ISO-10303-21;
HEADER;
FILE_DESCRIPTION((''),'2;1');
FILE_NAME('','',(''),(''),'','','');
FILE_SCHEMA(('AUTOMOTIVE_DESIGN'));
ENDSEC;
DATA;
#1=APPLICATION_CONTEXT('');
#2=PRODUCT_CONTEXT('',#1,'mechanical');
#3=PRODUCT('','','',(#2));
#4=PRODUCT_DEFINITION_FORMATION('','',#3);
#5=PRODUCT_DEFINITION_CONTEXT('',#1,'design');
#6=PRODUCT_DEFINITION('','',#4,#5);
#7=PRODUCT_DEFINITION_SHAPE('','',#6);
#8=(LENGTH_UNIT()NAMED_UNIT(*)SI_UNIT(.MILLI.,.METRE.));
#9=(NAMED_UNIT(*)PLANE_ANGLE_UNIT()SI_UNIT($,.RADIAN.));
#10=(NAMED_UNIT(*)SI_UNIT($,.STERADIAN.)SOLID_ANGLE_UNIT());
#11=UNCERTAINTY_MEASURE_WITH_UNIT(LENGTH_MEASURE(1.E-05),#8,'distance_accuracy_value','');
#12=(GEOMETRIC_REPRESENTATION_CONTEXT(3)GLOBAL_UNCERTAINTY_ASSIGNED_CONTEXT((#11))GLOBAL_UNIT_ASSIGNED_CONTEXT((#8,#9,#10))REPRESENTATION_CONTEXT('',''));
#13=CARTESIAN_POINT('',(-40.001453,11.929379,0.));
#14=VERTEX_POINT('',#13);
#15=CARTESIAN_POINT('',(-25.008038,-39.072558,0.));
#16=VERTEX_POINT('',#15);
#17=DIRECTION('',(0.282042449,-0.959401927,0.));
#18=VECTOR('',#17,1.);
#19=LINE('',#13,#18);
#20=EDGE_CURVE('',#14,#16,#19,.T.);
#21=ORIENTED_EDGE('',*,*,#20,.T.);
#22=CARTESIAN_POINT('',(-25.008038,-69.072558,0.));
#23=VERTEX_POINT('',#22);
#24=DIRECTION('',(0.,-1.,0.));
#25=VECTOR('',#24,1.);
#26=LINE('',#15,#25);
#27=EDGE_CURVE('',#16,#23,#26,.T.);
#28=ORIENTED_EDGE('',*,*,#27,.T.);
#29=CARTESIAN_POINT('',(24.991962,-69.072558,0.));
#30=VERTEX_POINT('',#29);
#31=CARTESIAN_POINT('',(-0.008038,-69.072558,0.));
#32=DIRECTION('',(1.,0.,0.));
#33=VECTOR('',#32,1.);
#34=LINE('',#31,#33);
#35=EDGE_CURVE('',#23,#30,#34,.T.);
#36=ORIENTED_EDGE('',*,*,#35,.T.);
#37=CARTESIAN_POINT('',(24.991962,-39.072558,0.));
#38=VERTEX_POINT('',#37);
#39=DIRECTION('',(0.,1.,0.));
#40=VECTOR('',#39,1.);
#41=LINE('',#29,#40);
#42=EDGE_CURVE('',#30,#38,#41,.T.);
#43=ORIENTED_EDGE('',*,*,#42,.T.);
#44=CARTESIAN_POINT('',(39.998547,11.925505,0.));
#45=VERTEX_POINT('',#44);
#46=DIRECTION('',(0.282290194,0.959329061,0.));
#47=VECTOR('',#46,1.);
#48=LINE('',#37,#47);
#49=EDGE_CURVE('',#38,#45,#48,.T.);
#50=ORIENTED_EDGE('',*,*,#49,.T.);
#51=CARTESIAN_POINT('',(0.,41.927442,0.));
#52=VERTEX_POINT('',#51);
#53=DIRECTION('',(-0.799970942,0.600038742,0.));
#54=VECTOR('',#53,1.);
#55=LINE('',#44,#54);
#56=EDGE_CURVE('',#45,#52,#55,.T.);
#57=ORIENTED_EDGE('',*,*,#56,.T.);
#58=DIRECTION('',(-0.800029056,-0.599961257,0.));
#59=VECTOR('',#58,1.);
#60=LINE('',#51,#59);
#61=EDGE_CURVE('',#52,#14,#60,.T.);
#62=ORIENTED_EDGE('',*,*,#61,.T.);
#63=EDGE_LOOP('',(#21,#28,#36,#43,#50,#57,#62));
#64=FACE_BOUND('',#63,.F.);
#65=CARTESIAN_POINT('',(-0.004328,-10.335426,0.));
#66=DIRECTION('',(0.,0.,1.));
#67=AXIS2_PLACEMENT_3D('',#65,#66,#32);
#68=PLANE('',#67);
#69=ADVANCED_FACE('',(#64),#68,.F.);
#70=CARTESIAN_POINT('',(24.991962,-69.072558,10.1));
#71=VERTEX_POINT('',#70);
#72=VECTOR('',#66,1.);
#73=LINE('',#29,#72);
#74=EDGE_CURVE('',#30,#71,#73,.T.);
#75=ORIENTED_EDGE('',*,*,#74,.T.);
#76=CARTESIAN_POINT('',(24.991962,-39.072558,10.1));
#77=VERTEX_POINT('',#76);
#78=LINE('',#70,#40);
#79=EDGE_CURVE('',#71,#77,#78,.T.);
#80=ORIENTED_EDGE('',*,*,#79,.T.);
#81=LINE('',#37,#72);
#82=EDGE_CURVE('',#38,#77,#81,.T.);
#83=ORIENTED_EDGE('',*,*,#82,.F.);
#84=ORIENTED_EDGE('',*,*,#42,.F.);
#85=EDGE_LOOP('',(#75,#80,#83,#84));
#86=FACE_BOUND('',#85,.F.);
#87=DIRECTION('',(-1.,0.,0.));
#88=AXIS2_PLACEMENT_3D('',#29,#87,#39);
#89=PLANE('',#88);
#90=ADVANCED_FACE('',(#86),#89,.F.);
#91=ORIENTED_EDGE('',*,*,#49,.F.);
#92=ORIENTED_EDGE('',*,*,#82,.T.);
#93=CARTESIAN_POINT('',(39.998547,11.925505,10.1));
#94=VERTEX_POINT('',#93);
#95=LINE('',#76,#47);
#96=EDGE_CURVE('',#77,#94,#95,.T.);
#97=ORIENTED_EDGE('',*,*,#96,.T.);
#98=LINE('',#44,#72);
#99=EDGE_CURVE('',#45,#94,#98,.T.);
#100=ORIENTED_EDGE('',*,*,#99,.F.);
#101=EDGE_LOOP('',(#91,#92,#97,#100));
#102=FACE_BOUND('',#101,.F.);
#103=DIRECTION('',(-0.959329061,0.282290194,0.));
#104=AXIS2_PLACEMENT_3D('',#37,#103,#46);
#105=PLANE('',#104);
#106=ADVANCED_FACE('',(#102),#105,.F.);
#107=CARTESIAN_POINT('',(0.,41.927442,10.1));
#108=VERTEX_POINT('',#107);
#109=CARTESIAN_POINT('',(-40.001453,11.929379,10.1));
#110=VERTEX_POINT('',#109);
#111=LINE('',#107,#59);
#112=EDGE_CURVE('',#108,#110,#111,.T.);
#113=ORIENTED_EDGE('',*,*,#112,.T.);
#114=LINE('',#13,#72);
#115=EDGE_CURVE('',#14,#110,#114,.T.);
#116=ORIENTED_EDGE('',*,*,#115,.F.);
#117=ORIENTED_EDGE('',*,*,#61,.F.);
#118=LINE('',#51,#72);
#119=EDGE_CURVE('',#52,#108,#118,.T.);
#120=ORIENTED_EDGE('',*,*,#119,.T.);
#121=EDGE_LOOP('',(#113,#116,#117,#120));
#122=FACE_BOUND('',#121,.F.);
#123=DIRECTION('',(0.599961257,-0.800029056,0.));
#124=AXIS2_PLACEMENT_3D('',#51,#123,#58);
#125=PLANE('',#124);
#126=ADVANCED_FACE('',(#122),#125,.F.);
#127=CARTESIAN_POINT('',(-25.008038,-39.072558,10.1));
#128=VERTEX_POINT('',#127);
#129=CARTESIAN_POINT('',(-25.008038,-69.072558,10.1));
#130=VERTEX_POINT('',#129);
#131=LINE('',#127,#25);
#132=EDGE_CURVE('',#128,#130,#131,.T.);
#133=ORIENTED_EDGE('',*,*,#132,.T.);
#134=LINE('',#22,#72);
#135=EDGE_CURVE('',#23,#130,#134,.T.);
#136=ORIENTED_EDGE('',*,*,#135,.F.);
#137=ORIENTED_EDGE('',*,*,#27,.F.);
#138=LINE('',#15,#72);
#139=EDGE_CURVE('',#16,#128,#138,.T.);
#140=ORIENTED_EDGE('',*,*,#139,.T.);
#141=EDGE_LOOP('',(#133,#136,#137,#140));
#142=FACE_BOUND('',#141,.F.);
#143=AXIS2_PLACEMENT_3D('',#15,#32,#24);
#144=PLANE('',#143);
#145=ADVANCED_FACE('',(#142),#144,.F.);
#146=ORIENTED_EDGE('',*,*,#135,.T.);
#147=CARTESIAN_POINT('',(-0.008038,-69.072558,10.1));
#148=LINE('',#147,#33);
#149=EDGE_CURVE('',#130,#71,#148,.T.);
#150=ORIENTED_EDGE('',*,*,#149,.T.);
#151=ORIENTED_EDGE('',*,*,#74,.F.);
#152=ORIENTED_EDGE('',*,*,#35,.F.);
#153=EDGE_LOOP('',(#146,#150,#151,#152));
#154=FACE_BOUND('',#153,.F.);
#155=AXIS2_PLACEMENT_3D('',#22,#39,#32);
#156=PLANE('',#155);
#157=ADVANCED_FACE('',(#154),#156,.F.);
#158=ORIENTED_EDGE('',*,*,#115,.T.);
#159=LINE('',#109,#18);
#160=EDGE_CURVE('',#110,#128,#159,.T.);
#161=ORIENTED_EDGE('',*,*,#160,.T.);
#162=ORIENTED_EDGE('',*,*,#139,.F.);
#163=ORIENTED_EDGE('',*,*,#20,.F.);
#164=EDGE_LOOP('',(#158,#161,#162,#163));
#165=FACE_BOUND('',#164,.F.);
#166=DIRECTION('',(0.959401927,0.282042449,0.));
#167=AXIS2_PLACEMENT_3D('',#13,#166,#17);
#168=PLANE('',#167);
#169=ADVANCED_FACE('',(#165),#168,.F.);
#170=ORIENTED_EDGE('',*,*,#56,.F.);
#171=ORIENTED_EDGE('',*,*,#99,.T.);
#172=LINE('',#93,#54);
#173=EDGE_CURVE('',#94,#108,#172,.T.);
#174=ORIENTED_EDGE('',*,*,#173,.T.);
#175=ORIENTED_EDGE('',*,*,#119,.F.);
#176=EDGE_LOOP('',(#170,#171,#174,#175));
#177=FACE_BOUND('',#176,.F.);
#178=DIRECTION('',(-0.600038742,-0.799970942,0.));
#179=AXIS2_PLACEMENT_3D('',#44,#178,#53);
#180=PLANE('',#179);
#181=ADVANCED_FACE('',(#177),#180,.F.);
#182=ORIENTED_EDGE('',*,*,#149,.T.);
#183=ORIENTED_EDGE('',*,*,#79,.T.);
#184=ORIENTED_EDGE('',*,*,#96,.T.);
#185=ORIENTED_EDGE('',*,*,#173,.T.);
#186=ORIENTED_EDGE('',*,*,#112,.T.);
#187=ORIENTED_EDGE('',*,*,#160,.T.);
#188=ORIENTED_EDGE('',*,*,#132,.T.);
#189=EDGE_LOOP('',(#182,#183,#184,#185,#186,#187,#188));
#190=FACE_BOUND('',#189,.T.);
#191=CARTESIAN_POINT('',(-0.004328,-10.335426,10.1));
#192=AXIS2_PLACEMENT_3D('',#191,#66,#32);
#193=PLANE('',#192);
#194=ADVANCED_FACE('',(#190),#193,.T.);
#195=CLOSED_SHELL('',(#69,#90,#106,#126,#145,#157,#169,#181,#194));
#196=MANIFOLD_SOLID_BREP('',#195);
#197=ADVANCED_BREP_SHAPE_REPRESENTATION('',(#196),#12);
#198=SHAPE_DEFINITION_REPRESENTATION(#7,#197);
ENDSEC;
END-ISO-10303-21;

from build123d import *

# Parameters (mm, degrees)
F0_W     = 50
F0_H     = 10
F0_H_2   = 20
F1_DEPTH = 10.1


with BuildPart() as f1:
    # F0 (on Top) → F1 (new body)
    with BuildSketch(Plane.XY):
        Polygon((-40.001453, 11.929379), (-25.008038, -39.072558), (24.991962, -39.072558), (39.998547, 11.925505), align=None)
        Polygon((0, 41.927442), (-40.001453, 11.929379), (39.998547, 11.925505), align=None)
        with Locations((-0.008038, -44.072558)):
            Rectangle(F0_W, F0_H)
        with Locations((-0.008038, -59.072558)):
            Rectangle(F0_W, F0_H_2)
    extrude(amount=F1_DEPTH)


solid = f1.part
